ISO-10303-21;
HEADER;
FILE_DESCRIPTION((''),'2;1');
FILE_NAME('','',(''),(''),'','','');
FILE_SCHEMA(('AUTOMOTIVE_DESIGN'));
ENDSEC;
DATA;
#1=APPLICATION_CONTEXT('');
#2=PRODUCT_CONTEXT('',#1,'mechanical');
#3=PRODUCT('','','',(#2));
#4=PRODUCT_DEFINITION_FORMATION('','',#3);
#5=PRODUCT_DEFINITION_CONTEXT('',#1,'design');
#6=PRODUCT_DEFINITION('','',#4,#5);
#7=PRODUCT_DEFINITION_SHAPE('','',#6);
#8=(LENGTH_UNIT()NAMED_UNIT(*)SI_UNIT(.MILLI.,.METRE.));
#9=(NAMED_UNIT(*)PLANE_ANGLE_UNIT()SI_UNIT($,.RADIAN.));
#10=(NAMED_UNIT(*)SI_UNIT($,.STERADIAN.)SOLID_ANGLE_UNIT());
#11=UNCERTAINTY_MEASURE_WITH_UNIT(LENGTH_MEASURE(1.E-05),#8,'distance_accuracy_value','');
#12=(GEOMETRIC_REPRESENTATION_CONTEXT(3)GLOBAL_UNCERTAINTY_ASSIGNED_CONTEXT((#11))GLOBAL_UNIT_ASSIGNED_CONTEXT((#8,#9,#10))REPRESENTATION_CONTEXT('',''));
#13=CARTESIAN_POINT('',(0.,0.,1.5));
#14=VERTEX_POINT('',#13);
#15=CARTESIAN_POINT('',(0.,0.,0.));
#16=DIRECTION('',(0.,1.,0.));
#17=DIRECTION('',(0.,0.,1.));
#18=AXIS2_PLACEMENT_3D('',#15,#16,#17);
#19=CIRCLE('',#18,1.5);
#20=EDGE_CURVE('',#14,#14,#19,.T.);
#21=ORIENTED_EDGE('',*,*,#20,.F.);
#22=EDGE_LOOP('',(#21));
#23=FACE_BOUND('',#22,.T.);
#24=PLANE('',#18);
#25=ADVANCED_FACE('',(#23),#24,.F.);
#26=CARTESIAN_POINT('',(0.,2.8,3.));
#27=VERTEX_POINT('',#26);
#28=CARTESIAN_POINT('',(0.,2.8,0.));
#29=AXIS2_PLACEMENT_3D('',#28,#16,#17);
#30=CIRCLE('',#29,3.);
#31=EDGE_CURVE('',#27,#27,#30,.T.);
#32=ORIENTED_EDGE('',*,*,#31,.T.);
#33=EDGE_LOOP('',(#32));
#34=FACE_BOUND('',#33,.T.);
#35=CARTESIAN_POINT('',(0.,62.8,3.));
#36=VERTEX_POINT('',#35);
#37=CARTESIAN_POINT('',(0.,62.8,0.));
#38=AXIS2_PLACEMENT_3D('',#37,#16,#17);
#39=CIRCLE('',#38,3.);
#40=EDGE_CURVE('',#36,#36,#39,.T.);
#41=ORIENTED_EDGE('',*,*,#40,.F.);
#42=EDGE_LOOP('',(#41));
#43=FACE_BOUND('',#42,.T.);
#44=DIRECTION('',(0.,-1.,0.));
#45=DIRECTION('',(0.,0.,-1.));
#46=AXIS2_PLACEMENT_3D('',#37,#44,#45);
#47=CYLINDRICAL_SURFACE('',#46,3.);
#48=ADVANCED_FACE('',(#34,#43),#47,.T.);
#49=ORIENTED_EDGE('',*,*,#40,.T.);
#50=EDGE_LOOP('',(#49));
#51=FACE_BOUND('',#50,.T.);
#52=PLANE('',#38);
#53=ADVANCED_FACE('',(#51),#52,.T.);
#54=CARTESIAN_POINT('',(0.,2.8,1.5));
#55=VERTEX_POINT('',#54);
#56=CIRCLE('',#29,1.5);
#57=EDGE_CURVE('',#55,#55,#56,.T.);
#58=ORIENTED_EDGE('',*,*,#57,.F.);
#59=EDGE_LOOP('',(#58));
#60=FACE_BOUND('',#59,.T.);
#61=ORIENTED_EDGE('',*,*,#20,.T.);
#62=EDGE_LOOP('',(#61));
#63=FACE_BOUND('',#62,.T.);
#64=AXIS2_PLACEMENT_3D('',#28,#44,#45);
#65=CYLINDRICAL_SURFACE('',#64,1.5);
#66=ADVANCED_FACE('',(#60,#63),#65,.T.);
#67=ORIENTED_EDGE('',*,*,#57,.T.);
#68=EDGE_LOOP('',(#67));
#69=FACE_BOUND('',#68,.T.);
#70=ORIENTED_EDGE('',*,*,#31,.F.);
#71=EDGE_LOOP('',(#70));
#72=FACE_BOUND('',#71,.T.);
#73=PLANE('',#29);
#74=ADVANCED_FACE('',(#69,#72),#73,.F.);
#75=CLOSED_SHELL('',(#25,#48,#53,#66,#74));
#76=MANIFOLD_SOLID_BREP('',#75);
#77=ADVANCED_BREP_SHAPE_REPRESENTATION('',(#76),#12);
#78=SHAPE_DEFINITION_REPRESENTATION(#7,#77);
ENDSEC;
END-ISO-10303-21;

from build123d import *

# Parameters (mm, degrees)
SKETCH_1_R      = 1.5
EXTRUDE_1_DEPTH = 2.8
SKETCH_2_R      = 3
EXTRUDE_2_DEPTH = 60


with BuildPart() as part:
    # 草圖1 → 填料-伸長1 (new body)
    with BuildSketch(Plane(origin=(0, 0, 0), x_dir=(1, 0, 0), z_dir=(0, 1, 0))):
        with Locations(Location((0, 0, 0), (0, 0, 270))):
            Circle(SKETCH_1_R)
    extrude(amount=EXTRUDE_1_DEPTH)

    # 草圖2 → 填料-伸長2 (add)
    with BuildSketch(Plane(origin=(0, 2.8, 0), x_dir=(1, 0, 0), z_dir=(0, 1, 0))):
        with Locations(Location((0, 0, 0), (0, 0, 270))):
            Circle(SKETCH_2_R)
    extrude(amount=EXTRUDE_2_DEPTH)


solid = part.part
